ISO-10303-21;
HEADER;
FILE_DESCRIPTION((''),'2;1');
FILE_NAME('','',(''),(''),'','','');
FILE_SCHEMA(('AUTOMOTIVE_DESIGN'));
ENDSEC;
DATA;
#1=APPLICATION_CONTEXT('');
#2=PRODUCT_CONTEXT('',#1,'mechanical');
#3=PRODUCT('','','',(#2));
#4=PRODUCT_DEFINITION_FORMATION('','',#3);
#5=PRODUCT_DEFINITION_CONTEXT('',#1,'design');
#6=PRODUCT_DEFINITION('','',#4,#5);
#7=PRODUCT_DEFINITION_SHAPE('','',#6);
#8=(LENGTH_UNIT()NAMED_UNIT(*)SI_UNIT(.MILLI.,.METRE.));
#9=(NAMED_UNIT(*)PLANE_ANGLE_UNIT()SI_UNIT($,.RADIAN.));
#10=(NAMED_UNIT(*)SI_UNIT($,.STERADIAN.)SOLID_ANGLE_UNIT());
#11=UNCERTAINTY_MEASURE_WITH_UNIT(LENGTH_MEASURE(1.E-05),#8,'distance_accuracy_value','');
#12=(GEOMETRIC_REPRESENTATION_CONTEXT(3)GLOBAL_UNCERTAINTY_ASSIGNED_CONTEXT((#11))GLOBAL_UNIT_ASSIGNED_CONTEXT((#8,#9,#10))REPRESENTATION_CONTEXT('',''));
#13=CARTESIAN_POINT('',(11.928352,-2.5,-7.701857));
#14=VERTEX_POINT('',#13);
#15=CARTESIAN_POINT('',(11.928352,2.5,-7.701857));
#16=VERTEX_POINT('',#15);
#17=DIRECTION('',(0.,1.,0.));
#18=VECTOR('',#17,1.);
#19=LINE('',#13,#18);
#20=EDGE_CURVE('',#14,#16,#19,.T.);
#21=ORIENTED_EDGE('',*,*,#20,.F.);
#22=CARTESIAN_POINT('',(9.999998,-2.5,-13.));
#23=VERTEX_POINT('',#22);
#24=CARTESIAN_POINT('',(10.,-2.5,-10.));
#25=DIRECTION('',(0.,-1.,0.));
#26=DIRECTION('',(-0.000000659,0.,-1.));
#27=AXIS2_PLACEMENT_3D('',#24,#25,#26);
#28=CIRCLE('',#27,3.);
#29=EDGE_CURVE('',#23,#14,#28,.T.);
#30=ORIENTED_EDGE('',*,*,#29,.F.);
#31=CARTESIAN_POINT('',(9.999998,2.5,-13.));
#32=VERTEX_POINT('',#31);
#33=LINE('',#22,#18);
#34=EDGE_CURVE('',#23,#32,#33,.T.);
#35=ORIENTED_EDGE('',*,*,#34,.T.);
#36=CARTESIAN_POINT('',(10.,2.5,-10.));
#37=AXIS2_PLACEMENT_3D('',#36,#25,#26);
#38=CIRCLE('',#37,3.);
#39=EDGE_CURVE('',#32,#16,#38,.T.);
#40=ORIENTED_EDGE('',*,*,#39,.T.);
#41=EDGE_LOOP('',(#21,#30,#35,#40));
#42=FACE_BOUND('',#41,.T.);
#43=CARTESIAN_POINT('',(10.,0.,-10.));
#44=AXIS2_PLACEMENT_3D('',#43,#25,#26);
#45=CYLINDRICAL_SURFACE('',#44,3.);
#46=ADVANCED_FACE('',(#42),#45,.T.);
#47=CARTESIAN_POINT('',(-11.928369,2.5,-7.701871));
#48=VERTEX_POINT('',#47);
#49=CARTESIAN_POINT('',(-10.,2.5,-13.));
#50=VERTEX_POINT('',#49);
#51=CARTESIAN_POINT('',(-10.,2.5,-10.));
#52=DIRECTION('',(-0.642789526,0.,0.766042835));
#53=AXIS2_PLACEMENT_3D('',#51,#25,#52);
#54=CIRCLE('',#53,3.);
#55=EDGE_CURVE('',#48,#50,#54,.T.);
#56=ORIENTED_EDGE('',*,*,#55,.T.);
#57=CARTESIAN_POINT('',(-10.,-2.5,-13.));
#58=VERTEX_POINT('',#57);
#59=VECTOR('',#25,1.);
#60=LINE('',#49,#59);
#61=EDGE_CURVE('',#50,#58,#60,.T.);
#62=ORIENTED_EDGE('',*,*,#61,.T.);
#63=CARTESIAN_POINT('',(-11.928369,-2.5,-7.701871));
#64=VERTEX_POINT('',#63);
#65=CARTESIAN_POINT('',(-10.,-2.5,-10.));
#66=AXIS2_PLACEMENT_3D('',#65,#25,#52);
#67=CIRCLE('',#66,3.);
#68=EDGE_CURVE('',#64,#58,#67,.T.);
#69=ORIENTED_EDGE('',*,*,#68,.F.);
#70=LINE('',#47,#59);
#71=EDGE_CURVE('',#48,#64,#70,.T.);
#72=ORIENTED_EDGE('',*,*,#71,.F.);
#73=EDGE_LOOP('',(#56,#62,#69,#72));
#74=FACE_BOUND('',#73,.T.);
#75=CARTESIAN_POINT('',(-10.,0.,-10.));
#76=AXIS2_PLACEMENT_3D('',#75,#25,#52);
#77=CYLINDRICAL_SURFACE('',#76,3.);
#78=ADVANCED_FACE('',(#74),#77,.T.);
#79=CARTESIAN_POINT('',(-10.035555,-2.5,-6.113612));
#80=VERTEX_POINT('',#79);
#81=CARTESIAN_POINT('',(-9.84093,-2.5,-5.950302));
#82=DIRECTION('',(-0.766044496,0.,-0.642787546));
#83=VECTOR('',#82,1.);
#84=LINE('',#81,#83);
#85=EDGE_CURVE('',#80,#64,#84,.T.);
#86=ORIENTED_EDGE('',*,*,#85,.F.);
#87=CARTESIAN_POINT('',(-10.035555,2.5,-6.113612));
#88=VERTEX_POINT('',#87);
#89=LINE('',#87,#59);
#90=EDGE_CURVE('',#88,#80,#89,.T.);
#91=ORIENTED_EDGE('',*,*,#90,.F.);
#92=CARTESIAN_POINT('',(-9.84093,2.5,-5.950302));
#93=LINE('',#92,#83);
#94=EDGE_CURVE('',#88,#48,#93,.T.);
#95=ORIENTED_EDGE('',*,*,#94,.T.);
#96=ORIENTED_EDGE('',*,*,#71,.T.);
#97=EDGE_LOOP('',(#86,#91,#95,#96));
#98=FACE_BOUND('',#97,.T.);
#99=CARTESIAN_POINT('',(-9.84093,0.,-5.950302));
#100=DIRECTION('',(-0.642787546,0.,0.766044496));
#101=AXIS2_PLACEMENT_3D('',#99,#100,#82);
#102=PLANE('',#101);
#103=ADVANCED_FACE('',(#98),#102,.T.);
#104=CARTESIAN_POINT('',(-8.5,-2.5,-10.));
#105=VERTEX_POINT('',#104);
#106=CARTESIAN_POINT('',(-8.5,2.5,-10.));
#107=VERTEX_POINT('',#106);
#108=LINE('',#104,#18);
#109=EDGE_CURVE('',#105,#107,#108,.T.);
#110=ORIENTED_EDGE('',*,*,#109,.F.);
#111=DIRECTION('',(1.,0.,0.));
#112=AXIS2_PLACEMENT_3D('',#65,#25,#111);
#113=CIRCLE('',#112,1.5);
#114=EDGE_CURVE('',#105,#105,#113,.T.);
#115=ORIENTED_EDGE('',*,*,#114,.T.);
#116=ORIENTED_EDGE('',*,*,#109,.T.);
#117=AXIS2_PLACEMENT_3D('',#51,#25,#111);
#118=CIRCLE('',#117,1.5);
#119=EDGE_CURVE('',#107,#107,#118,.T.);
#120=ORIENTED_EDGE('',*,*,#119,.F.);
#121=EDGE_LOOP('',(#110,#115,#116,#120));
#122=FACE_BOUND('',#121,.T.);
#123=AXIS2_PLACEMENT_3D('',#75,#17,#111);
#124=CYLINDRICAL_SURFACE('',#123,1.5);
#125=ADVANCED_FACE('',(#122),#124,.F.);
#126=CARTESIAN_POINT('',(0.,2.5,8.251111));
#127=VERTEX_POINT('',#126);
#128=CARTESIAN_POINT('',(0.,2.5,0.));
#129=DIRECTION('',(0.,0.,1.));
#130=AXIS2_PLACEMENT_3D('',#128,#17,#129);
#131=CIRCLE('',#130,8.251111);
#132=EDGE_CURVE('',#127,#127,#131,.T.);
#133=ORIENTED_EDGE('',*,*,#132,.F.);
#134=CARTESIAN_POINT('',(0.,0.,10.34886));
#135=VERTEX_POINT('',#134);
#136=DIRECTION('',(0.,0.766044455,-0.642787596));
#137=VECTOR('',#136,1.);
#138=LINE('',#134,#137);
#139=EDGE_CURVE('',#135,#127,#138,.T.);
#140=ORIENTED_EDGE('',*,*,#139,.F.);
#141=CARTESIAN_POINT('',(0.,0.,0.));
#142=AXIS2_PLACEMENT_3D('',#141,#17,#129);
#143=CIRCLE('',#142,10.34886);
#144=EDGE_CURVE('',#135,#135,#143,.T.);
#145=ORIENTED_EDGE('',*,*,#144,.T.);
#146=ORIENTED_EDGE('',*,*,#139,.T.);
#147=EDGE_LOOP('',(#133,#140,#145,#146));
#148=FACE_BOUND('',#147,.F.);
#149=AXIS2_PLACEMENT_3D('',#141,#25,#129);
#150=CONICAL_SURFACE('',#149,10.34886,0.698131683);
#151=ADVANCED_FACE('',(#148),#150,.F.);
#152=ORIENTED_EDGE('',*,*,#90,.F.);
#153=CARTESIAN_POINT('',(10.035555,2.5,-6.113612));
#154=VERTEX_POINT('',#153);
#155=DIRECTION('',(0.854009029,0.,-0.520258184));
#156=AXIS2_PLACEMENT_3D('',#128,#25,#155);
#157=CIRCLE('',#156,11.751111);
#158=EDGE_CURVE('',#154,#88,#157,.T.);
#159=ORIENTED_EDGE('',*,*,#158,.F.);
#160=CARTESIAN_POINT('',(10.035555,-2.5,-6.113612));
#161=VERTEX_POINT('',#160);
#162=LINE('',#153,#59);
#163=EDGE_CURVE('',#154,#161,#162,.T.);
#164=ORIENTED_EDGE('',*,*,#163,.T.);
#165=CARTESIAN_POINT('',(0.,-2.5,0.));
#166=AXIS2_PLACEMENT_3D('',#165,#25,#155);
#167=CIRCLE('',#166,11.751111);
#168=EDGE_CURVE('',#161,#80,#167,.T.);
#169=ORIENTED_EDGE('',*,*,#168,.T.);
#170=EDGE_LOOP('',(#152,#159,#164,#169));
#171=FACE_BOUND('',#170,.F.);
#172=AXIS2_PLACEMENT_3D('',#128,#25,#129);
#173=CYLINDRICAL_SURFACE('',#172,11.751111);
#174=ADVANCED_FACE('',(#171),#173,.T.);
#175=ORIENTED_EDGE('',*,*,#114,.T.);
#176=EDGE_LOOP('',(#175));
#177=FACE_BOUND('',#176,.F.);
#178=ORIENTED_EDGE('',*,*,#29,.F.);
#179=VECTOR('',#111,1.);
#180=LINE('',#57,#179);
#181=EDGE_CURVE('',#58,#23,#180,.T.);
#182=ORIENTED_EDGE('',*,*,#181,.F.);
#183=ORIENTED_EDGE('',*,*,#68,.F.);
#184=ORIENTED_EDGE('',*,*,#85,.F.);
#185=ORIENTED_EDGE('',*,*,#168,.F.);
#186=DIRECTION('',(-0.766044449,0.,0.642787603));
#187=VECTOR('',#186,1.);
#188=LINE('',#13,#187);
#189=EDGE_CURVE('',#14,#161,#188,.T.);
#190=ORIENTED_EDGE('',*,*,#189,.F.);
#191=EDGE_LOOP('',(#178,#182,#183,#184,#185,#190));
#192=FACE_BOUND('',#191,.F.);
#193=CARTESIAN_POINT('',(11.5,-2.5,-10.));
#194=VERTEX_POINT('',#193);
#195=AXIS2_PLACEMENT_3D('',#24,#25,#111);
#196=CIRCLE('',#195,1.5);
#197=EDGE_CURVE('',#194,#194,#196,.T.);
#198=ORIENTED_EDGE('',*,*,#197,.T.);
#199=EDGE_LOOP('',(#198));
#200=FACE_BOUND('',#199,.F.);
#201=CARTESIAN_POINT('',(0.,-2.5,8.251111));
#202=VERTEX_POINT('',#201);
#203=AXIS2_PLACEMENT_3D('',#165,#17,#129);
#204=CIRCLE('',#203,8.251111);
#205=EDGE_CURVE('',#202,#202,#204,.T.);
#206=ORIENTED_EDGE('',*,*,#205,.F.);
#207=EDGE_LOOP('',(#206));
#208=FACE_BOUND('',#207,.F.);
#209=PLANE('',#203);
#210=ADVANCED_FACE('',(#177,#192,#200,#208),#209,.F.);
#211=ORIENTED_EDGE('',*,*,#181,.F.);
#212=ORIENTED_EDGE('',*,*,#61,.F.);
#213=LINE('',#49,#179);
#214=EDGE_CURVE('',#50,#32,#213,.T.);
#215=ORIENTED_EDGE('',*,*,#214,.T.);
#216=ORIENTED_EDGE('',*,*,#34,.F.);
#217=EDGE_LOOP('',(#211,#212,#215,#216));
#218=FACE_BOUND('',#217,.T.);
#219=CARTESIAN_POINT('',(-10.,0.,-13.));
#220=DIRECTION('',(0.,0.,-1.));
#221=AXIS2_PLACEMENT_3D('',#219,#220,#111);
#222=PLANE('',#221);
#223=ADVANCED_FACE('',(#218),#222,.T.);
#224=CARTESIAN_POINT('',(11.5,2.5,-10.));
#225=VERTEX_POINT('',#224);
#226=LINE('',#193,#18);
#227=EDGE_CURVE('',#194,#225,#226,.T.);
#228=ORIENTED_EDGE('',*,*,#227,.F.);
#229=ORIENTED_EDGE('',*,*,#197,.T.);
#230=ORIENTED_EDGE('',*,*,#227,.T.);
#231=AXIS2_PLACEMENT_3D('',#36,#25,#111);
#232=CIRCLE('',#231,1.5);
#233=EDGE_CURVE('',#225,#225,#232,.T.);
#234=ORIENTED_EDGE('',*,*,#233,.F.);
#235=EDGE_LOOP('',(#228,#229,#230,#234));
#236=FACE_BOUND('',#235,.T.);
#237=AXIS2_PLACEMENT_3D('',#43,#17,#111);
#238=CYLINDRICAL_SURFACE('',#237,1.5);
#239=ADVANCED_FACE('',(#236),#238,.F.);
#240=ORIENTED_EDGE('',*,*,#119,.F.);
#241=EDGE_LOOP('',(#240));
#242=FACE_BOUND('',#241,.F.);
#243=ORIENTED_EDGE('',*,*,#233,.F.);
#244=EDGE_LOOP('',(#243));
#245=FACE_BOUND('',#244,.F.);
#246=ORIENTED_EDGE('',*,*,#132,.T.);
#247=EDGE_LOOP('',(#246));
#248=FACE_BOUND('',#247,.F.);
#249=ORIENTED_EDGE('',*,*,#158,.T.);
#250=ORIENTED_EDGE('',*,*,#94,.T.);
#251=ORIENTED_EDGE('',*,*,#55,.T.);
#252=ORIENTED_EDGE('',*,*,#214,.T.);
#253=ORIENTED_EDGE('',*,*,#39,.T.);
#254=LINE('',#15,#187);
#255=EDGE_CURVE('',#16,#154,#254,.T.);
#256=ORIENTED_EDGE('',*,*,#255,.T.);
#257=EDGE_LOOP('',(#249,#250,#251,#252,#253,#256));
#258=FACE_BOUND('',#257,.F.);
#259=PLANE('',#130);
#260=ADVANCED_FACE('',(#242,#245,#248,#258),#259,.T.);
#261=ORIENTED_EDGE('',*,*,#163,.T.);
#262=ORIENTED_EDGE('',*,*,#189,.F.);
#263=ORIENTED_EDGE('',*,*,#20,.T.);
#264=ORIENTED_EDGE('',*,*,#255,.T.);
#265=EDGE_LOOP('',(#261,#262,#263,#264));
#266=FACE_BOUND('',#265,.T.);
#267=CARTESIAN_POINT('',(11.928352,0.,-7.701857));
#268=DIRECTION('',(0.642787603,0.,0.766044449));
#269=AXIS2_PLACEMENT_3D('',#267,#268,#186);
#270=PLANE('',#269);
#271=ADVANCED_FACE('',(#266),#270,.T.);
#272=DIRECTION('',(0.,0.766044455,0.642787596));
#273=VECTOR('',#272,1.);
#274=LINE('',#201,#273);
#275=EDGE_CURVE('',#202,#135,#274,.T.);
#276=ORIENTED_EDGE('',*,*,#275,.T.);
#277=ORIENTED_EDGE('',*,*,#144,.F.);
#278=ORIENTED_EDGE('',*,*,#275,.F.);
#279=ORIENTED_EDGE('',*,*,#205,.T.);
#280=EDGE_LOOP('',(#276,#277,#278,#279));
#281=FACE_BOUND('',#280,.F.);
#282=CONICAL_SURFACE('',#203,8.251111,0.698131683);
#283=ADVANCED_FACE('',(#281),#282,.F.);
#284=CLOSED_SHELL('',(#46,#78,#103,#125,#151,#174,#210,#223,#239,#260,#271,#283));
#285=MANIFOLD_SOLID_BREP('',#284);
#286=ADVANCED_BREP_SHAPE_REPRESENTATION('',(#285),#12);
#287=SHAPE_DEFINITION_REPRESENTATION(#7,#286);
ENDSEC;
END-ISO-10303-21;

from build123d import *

# Parameters (mm, degrees)
SKETCH017_R  = 1.5
PAD008_DEPTH = 2.5


with BuildPart() as outerbearing:
    # Sketch007 → Revolution001 (revolve)
    with BuildSketch(Plane.YZ):
        Polygon((-2.5, 8.251111), (0, 10.34886), (2.5, 8.251111), (2.5, 11.751111), (-2.5, 11.751111), align=None)
    revolve(axis=Axis((0, 0, 0), (0, 1, 0)))


with BuildPart() as fusion001:
    # Sketch017 → Pad008 (new body, symmetric)
    with BuildSketch(Plane.XZ):
        with BuildLine():
            ThreePointArc((-9.84093, -5.950302), (0, -11.5), (9.84093, -5.950302))
            Line((11.928352, -7.701857), (9.84093, -5.950302))
            ThreePointArc((9.999998, -13), (12.81908, -11.026055), (11.928352, -7.701857))
            Line((-10, -13), (9.999998, -13))
            ThreePointArc((-11.928369, -7.701871), (-12.819077, -11.026064), (-10, -13))
            Line((-9.84093, -5.950302), (-11.928369, -7.701871))
        make_face()
        with Locations((10, -10)):
            Circle(SKETCH017_R, mode=Mode.SUBTRACT)
        with Locations((-10, -10)):
            Circle(SKETCH017_R, mode=Mode.SUBTRACT)
    extrude(amount=PAD008_DEPTH, both=True)

    # Fusion001: union OuterBearing
    add(outerbearing.part)


solid = fusion001.part
